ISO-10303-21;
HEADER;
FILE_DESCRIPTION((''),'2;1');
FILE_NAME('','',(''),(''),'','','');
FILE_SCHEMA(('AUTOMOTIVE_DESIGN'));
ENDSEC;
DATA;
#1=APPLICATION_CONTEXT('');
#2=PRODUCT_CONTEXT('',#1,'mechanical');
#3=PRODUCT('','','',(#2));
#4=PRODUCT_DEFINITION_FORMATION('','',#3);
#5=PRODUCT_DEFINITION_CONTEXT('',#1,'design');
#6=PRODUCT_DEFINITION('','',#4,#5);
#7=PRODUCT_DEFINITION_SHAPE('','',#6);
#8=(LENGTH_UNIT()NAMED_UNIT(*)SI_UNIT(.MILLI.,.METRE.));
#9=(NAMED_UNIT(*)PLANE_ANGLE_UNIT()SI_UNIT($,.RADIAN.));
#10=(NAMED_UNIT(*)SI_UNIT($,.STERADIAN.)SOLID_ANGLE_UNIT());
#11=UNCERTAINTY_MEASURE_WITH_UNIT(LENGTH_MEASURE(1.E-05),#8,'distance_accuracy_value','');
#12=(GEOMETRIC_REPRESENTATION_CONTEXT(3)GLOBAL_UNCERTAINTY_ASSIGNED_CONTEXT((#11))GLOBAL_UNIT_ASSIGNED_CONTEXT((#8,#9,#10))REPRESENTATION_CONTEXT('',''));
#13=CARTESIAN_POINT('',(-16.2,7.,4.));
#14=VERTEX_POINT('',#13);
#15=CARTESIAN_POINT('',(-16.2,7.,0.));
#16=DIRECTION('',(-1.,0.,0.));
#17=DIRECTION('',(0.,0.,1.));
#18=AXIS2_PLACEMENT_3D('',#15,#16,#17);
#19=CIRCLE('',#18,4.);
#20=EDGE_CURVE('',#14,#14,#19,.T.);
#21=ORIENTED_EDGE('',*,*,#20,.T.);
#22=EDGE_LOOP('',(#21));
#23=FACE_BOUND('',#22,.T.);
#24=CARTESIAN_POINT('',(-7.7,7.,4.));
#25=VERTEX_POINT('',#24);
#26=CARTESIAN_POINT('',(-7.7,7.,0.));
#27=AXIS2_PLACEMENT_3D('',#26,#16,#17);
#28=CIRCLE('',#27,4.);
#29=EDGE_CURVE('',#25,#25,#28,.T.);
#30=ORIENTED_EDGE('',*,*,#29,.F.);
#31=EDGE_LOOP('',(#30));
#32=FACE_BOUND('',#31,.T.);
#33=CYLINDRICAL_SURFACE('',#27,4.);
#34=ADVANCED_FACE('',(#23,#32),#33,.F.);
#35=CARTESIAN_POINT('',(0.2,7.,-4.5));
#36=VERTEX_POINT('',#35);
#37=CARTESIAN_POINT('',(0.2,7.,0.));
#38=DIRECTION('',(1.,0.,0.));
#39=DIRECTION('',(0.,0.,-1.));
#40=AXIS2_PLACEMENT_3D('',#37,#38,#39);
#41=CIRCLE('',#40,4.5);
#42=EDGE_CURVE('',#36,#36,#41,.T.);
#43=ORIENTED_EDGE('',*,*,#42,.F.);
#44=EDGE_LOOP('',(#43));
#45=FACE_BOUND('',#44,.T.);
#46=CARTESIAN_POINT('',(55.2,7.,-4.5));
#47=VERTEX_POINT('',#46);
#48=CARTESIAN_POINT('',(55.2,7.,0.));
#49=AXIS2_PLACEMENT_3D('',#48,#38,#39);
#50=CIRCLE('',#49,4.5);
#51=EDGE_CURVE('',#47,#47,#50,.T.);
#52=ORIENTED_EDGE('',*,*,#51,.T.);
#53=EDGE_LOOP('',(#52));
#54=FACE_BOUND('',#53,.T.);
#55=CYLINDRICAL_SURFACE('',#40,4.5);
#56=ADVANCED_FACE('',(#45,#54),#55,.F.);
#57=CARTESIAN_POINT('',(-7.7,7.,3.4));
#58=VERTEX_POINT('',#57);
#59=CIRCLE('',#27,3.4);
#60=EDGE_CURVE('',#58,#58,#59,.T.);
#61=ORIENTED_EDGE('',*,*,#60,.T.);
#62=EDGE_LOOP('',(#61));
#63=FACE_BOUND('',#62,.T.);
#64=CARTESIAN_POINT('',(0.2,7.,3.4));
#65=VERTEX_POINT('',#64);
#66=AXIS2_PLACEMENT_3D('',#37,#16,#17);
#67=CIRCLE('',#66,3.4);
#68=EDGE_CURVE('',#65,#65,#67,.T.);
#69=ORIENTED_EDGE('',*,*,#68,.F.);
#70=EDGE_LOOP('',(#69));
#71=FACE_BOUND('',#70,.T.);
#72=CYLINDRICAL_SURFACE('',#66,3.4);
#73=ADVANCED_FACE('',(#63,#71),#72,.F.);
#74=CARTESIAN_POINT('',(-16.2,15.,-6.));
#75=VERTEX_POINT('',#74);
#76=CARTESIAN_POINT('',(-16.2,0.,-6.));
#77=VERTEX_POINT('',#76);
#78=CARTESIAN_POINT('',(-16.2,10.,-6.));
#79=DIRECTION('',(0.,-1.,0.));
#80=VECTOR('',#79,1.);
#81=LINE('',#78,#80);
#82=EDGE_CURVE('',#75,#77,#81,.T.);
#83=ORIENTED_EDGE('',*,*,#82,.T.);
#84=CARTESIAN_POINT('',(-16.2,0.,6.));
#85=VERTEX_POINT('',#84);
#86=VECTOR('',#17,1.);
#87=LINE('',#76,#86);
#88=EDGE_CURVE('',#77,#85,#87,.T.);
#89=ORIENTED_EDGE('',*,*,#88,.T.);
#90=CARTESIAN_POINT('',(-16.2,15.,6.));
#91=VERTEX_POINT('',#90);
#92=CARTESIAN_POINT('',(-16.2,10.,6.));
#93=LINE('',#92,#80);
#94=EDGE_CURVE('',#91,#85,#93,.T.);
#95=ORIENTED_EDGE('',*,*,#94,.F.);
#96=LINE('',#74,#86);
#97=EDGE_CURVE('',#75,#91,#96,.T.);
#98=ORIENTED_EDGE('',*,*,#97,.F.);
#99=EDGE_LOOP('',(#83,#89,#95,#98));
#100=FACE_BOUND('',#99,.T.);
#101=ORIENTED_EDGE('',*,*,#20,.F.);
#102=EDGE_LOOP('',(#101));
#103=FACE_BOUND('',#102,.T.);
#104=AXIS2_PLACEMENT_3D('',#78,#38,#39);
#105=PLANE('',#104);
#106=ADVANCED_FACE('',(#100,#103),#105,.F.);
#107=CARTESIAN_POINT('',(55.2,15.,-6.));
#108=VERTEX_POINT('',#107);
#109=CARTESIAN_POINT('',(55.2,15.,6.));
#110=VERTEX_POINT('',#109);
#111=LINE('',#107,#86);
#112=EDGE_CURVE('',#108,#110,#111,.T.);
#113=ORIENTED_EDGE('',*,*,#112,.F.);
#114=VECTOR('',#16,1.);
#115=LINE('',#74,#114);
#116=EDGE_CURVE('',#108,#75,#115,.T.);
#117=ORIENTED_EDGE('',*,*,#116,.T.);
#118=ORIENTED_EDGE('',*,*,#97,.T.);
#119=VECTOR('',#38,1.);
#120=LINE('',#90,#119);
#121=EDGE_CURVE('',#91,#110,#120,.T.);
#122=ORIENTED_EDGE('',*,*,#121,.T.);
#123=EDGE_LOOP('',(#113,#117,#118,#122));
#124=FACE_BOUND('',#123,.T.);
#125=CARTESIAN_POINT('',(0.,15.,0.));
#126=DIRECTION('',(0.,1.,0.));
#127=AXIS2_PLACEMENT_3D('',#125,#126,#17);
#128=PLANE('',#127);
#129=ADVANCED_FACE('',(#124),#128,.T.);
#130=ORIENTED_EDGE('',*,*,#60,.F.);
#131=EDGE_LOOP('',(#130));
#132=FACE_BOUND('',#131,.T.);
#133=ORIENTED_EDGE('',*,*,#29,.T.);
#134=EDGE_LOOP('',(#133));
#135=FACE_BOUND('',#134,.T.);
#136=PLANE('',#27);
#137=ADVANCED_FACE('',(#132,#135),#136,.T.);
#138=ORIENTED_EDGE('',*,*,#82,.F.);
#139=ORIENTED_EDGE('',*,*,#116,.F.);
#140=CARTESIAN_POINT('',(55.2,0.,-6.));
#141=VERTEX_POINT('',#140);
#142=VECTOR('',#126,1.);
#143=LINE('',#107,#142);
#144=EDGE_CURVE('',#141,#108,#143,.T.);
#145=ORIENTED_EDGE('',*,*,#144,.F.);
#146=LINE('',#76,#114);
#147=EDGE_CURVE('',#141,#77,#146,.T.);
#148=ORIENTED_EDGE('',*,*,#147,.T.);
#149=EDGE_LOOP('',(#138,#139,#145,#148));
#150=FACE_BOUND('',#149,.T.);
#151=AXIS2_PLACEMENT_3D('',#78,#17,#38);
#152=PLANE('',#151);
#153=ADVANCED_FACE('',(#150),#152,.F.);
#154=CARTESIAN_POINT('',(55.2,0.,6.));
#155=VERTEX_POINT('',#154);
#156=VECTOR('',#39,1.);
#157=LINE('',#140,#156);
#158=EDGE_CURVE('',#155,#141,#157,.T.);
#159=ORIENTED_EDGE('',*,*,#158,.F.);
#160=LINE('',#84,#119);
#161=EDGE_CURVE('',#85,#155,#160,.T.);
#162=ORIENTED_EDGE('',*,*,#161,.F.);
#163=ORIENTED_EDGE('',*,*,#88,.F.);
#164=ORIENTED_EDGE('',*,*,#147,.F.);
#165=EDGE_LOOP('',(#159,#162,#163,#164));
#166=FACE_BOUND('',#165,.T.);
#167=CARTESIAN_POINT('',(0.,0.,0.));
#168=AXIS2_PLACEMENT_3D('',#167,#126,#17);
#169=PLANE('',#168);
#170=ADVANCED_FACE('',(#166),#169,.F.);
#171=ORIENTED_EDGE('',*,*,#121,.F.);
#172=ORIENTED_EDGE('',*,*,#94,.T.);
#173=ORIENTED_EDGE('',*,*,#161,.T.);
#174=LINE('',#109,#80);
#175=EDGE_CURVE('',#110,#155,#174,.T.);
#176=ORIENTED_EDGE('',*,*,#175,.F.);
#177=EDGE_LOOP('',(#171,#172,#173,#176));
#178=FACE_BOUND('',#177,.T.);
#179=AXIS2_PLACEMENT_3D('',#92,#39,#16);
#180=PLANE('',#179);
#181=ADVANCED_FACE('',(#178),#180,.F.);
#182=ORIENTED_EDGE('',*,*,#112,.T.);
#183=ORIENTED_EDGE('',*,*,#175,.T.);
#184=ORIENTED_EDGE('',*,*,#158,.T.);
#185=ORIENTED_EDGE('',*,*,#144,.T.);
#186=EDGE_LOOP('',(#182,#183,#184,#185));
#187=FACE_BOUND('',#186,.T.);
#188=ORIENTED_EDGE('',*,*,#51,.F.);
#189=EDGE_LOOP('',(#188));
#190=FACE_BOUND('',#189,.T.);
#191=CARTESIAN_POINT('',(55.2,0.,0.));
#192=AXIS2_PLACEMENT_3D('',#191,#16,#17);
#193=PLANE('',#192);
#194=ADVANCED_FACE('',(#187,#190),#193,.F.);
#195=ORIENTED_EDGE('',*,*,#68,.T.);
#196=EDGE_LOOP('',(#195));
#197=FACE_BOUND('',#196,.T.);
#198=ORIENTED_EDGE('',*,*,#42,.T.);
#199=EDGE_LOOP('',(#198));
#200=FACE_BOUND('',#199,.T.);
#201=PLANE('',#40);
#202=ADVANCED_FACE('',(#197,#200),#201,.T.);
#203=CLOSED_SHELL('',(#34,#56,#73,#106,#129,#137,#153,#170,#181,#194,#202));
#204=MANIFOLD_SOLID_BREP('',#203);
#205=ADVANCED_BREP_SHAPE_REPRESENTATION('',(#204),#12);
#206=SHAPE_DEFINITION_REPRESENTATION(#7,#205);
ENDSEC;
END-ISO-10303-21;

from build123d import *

# Parameters (mm, degrees)
SKETCH_1_W          = 32.4
SKETCH_1_H          = 12
EXTRUDE_1_DEPTH     = 10
SKETCH_4_R          = 4
CUT_EXTRUDE_2_DEPTH = 8.5
SKETCH_7_R          = 3.4
CUT_EXTRUDE_3_DEPTH = 7.9
SKETCH_8_R          = 4.5
CUT_EXTRUDE_4_DEPTH = 16
SKETCH_9_W          = 32.4
SKETCH_9_H          = 2.645898034
EXTRUDE_2_DEPTH     = 5
EXTRUDE_3_DEPTH     = 5
EXTRUDE_4_DEPTH     = 5
SKETCH_12_W         = 12
SKETCH_12_H         = 5
EXTRUDE_5_DEPTH     = 32.4
SKETCH_13_R         = 4
CUT_EXTRUDE_5_DEPTH = 8.5
SKETCH_14_R         = 3.4
CUT_EXTRUDE_6_DEPTH = 7.9
SKETCH_15_R         = 4.5
CUT_EXTRUDE_8_DEPTH = 16
SKETCH_16_W         = 12
SKETCH_16_H         = 15
EXTRUDE_8_DEPTH     = 39
SKETCH_17_R         = 4.5
CUT_EXTRUDE_9_DEPTH = 39


with BuildPart() as part:
    # 草圖1 → 填料-伸長1 (new body)
    with BuildSketch(Plane(origin=(0, 0, 0), x_dir=(1, 0, 0), z_dir=(0, 1, 0))):
        Rectangle(SKETCH_1_W, SKETCH_1_H)
    extrude(amount=EXTRUDE_1_DEPTH)

    # 草圖4 → 除料-伸長2 (cut)
    with BuildSketch(Plane.ZY.offset(16.2)):
        with Locations((0, 7)):
            Circle(SKETCH_4_R)
    extrude(amount=-CUT_EXTRUDE_2_DEPTH, mode=Mode.SUBTRACT)

    # 草圖7 → 除料-伸長3 (cut)
    with BuildSketch(Plane.ZY.offset(7.7)):
        with Locations((0, 7)):
            Circle(SKETCH_7_R)
    extrude(amount=-CUT_EXTRUDE_3_DEPTH, mode=Mode.SUBTRACT)

    # 草圖8 → 除料-伸長4 (cut)
    with BuildSketch(Plane(origin=(16.2, 0, 0), x_dir=(0, 0, -1), z_dir=(1, 0, 0))):
        with Locations((0, 7)):
            Circle(SKETCH_8_R)
    extrude(amount=-CUT_EXTRUDE_4_DEPTH, mode=Mode.SUBTRACT)

    # 草圖9 → 填料-伸長2 (add)
    with BuildSketch(Plane(origin=(0, 10, 0), x_dir=(1, 0, 0), z_dir=(0, 1, 0))):
        with Locations((0, 4.677050983)):
            Rectangle(SKETCH_9_W, SKETCH_9_H)
    extrude(amount=EXTRUDE_2_DEPTH)

    # 草圖10 → 填料-伸長3 (add)
    with BuildSketch(Plane(origin=(0, 10, 0), x_dir=(1, 0, 0), z_dir=(0, 1, 0))):
        Polygon((-16.2, 3.372532617), (-16.2, 2.685476071), (-7.7, 2.645751311), (-7.7, 1.6), (0.2, 1.6), (0.2, 3.354101966), align=None)
    extrude(amount=EXTRUDE_3_DEPTH)

    # 草圖11 → 填料-伸長4 (add)
    with BuildSketch(Plane(origin=(0, 10, 0), x_dir=(1, 0, 0), z_dir=(0, 1, 0))):
        Polygon((-16.2, -2.660675208), (-16.2, -6), (16.2, -6), (16.2, -3.354101966), (0.2, -3.354101966), (0.2, -1.6), (-7.7, -1.6), (-7.7, -2.645751311), align=None)
    extrude(amount=EXTRUDE_4_DEPTH)

    # 草圖12 → 填料-伸長5 (add, through all)
    with BuildSketch(Plane.ZY.offset(16.2)):
        with Locations((0, 12.5)):
            Rectangle(SKETCH_12_W, SKETCH_12_H)
    extrude(amount=-EXTRUDE_5_DEPTH)

    # 草圖13 → 除料-伸長5 (cut)
    with BuildSketch(Plane.ZY.offset(16.2)):
        with Locations((0, 7)):
            Circle(SKETCH_13_R)
    extrude(amount=-CUT_EXTRUDE_5_DEPTH, mode=Mode.SUBTRACT)

    # 草圖14 → 除料-伸長6 (cut)
    with BuildSketch(Plane.ZY.offset(7.7)):
        with Locations((0, 7)):
            Circle(SKETCH_14_R)
    extrude(amount=-CUT_EXTRUDE_6_DEPTH, mode=Mode.SUBTRACT)

    # 草圖15 → 除料-伸長8 (cut)
    with BuildSketch(Plane(origin=(16.2, 0, 0), x_dir=(0, 0, -1), z_dir=(1, 0, 0))):
        with Locations((0, 7)):
            Circle(SKETCH_15_R)
    extrude(amount=-CUT_EXTRUDE_8_DEPTH, mode=Mode.SUBTRACT)

    # 草圖16 → 填料-伸長8 (add)
    with BuildSketch(Plane(origin=(16.2, 0, 0), x_dir=(0, 0, -1), z_dir=(1, 0, 0))):
        with Locations((0, 7.5)):
            Rectangle(SKETCH_16_W, SKETCH_16_H)
    extrude(amount=EXTRUDE_8_DEPTH)

    # 草圖17 → 除料-伸長9 (cut)
    with BuildSketch(Plane(origin=(55.2, 0, 0), x_dir=(0, 0, -1), z_dir=(1, 0, 0))):
        with Locations((0, 7)):
            Circle(SKETCH_17_R)
    extrude(amount=-CUT_EXTRUDE_9_DEPTH, mode=Mode.SUBTRACT)


solid = part.part
